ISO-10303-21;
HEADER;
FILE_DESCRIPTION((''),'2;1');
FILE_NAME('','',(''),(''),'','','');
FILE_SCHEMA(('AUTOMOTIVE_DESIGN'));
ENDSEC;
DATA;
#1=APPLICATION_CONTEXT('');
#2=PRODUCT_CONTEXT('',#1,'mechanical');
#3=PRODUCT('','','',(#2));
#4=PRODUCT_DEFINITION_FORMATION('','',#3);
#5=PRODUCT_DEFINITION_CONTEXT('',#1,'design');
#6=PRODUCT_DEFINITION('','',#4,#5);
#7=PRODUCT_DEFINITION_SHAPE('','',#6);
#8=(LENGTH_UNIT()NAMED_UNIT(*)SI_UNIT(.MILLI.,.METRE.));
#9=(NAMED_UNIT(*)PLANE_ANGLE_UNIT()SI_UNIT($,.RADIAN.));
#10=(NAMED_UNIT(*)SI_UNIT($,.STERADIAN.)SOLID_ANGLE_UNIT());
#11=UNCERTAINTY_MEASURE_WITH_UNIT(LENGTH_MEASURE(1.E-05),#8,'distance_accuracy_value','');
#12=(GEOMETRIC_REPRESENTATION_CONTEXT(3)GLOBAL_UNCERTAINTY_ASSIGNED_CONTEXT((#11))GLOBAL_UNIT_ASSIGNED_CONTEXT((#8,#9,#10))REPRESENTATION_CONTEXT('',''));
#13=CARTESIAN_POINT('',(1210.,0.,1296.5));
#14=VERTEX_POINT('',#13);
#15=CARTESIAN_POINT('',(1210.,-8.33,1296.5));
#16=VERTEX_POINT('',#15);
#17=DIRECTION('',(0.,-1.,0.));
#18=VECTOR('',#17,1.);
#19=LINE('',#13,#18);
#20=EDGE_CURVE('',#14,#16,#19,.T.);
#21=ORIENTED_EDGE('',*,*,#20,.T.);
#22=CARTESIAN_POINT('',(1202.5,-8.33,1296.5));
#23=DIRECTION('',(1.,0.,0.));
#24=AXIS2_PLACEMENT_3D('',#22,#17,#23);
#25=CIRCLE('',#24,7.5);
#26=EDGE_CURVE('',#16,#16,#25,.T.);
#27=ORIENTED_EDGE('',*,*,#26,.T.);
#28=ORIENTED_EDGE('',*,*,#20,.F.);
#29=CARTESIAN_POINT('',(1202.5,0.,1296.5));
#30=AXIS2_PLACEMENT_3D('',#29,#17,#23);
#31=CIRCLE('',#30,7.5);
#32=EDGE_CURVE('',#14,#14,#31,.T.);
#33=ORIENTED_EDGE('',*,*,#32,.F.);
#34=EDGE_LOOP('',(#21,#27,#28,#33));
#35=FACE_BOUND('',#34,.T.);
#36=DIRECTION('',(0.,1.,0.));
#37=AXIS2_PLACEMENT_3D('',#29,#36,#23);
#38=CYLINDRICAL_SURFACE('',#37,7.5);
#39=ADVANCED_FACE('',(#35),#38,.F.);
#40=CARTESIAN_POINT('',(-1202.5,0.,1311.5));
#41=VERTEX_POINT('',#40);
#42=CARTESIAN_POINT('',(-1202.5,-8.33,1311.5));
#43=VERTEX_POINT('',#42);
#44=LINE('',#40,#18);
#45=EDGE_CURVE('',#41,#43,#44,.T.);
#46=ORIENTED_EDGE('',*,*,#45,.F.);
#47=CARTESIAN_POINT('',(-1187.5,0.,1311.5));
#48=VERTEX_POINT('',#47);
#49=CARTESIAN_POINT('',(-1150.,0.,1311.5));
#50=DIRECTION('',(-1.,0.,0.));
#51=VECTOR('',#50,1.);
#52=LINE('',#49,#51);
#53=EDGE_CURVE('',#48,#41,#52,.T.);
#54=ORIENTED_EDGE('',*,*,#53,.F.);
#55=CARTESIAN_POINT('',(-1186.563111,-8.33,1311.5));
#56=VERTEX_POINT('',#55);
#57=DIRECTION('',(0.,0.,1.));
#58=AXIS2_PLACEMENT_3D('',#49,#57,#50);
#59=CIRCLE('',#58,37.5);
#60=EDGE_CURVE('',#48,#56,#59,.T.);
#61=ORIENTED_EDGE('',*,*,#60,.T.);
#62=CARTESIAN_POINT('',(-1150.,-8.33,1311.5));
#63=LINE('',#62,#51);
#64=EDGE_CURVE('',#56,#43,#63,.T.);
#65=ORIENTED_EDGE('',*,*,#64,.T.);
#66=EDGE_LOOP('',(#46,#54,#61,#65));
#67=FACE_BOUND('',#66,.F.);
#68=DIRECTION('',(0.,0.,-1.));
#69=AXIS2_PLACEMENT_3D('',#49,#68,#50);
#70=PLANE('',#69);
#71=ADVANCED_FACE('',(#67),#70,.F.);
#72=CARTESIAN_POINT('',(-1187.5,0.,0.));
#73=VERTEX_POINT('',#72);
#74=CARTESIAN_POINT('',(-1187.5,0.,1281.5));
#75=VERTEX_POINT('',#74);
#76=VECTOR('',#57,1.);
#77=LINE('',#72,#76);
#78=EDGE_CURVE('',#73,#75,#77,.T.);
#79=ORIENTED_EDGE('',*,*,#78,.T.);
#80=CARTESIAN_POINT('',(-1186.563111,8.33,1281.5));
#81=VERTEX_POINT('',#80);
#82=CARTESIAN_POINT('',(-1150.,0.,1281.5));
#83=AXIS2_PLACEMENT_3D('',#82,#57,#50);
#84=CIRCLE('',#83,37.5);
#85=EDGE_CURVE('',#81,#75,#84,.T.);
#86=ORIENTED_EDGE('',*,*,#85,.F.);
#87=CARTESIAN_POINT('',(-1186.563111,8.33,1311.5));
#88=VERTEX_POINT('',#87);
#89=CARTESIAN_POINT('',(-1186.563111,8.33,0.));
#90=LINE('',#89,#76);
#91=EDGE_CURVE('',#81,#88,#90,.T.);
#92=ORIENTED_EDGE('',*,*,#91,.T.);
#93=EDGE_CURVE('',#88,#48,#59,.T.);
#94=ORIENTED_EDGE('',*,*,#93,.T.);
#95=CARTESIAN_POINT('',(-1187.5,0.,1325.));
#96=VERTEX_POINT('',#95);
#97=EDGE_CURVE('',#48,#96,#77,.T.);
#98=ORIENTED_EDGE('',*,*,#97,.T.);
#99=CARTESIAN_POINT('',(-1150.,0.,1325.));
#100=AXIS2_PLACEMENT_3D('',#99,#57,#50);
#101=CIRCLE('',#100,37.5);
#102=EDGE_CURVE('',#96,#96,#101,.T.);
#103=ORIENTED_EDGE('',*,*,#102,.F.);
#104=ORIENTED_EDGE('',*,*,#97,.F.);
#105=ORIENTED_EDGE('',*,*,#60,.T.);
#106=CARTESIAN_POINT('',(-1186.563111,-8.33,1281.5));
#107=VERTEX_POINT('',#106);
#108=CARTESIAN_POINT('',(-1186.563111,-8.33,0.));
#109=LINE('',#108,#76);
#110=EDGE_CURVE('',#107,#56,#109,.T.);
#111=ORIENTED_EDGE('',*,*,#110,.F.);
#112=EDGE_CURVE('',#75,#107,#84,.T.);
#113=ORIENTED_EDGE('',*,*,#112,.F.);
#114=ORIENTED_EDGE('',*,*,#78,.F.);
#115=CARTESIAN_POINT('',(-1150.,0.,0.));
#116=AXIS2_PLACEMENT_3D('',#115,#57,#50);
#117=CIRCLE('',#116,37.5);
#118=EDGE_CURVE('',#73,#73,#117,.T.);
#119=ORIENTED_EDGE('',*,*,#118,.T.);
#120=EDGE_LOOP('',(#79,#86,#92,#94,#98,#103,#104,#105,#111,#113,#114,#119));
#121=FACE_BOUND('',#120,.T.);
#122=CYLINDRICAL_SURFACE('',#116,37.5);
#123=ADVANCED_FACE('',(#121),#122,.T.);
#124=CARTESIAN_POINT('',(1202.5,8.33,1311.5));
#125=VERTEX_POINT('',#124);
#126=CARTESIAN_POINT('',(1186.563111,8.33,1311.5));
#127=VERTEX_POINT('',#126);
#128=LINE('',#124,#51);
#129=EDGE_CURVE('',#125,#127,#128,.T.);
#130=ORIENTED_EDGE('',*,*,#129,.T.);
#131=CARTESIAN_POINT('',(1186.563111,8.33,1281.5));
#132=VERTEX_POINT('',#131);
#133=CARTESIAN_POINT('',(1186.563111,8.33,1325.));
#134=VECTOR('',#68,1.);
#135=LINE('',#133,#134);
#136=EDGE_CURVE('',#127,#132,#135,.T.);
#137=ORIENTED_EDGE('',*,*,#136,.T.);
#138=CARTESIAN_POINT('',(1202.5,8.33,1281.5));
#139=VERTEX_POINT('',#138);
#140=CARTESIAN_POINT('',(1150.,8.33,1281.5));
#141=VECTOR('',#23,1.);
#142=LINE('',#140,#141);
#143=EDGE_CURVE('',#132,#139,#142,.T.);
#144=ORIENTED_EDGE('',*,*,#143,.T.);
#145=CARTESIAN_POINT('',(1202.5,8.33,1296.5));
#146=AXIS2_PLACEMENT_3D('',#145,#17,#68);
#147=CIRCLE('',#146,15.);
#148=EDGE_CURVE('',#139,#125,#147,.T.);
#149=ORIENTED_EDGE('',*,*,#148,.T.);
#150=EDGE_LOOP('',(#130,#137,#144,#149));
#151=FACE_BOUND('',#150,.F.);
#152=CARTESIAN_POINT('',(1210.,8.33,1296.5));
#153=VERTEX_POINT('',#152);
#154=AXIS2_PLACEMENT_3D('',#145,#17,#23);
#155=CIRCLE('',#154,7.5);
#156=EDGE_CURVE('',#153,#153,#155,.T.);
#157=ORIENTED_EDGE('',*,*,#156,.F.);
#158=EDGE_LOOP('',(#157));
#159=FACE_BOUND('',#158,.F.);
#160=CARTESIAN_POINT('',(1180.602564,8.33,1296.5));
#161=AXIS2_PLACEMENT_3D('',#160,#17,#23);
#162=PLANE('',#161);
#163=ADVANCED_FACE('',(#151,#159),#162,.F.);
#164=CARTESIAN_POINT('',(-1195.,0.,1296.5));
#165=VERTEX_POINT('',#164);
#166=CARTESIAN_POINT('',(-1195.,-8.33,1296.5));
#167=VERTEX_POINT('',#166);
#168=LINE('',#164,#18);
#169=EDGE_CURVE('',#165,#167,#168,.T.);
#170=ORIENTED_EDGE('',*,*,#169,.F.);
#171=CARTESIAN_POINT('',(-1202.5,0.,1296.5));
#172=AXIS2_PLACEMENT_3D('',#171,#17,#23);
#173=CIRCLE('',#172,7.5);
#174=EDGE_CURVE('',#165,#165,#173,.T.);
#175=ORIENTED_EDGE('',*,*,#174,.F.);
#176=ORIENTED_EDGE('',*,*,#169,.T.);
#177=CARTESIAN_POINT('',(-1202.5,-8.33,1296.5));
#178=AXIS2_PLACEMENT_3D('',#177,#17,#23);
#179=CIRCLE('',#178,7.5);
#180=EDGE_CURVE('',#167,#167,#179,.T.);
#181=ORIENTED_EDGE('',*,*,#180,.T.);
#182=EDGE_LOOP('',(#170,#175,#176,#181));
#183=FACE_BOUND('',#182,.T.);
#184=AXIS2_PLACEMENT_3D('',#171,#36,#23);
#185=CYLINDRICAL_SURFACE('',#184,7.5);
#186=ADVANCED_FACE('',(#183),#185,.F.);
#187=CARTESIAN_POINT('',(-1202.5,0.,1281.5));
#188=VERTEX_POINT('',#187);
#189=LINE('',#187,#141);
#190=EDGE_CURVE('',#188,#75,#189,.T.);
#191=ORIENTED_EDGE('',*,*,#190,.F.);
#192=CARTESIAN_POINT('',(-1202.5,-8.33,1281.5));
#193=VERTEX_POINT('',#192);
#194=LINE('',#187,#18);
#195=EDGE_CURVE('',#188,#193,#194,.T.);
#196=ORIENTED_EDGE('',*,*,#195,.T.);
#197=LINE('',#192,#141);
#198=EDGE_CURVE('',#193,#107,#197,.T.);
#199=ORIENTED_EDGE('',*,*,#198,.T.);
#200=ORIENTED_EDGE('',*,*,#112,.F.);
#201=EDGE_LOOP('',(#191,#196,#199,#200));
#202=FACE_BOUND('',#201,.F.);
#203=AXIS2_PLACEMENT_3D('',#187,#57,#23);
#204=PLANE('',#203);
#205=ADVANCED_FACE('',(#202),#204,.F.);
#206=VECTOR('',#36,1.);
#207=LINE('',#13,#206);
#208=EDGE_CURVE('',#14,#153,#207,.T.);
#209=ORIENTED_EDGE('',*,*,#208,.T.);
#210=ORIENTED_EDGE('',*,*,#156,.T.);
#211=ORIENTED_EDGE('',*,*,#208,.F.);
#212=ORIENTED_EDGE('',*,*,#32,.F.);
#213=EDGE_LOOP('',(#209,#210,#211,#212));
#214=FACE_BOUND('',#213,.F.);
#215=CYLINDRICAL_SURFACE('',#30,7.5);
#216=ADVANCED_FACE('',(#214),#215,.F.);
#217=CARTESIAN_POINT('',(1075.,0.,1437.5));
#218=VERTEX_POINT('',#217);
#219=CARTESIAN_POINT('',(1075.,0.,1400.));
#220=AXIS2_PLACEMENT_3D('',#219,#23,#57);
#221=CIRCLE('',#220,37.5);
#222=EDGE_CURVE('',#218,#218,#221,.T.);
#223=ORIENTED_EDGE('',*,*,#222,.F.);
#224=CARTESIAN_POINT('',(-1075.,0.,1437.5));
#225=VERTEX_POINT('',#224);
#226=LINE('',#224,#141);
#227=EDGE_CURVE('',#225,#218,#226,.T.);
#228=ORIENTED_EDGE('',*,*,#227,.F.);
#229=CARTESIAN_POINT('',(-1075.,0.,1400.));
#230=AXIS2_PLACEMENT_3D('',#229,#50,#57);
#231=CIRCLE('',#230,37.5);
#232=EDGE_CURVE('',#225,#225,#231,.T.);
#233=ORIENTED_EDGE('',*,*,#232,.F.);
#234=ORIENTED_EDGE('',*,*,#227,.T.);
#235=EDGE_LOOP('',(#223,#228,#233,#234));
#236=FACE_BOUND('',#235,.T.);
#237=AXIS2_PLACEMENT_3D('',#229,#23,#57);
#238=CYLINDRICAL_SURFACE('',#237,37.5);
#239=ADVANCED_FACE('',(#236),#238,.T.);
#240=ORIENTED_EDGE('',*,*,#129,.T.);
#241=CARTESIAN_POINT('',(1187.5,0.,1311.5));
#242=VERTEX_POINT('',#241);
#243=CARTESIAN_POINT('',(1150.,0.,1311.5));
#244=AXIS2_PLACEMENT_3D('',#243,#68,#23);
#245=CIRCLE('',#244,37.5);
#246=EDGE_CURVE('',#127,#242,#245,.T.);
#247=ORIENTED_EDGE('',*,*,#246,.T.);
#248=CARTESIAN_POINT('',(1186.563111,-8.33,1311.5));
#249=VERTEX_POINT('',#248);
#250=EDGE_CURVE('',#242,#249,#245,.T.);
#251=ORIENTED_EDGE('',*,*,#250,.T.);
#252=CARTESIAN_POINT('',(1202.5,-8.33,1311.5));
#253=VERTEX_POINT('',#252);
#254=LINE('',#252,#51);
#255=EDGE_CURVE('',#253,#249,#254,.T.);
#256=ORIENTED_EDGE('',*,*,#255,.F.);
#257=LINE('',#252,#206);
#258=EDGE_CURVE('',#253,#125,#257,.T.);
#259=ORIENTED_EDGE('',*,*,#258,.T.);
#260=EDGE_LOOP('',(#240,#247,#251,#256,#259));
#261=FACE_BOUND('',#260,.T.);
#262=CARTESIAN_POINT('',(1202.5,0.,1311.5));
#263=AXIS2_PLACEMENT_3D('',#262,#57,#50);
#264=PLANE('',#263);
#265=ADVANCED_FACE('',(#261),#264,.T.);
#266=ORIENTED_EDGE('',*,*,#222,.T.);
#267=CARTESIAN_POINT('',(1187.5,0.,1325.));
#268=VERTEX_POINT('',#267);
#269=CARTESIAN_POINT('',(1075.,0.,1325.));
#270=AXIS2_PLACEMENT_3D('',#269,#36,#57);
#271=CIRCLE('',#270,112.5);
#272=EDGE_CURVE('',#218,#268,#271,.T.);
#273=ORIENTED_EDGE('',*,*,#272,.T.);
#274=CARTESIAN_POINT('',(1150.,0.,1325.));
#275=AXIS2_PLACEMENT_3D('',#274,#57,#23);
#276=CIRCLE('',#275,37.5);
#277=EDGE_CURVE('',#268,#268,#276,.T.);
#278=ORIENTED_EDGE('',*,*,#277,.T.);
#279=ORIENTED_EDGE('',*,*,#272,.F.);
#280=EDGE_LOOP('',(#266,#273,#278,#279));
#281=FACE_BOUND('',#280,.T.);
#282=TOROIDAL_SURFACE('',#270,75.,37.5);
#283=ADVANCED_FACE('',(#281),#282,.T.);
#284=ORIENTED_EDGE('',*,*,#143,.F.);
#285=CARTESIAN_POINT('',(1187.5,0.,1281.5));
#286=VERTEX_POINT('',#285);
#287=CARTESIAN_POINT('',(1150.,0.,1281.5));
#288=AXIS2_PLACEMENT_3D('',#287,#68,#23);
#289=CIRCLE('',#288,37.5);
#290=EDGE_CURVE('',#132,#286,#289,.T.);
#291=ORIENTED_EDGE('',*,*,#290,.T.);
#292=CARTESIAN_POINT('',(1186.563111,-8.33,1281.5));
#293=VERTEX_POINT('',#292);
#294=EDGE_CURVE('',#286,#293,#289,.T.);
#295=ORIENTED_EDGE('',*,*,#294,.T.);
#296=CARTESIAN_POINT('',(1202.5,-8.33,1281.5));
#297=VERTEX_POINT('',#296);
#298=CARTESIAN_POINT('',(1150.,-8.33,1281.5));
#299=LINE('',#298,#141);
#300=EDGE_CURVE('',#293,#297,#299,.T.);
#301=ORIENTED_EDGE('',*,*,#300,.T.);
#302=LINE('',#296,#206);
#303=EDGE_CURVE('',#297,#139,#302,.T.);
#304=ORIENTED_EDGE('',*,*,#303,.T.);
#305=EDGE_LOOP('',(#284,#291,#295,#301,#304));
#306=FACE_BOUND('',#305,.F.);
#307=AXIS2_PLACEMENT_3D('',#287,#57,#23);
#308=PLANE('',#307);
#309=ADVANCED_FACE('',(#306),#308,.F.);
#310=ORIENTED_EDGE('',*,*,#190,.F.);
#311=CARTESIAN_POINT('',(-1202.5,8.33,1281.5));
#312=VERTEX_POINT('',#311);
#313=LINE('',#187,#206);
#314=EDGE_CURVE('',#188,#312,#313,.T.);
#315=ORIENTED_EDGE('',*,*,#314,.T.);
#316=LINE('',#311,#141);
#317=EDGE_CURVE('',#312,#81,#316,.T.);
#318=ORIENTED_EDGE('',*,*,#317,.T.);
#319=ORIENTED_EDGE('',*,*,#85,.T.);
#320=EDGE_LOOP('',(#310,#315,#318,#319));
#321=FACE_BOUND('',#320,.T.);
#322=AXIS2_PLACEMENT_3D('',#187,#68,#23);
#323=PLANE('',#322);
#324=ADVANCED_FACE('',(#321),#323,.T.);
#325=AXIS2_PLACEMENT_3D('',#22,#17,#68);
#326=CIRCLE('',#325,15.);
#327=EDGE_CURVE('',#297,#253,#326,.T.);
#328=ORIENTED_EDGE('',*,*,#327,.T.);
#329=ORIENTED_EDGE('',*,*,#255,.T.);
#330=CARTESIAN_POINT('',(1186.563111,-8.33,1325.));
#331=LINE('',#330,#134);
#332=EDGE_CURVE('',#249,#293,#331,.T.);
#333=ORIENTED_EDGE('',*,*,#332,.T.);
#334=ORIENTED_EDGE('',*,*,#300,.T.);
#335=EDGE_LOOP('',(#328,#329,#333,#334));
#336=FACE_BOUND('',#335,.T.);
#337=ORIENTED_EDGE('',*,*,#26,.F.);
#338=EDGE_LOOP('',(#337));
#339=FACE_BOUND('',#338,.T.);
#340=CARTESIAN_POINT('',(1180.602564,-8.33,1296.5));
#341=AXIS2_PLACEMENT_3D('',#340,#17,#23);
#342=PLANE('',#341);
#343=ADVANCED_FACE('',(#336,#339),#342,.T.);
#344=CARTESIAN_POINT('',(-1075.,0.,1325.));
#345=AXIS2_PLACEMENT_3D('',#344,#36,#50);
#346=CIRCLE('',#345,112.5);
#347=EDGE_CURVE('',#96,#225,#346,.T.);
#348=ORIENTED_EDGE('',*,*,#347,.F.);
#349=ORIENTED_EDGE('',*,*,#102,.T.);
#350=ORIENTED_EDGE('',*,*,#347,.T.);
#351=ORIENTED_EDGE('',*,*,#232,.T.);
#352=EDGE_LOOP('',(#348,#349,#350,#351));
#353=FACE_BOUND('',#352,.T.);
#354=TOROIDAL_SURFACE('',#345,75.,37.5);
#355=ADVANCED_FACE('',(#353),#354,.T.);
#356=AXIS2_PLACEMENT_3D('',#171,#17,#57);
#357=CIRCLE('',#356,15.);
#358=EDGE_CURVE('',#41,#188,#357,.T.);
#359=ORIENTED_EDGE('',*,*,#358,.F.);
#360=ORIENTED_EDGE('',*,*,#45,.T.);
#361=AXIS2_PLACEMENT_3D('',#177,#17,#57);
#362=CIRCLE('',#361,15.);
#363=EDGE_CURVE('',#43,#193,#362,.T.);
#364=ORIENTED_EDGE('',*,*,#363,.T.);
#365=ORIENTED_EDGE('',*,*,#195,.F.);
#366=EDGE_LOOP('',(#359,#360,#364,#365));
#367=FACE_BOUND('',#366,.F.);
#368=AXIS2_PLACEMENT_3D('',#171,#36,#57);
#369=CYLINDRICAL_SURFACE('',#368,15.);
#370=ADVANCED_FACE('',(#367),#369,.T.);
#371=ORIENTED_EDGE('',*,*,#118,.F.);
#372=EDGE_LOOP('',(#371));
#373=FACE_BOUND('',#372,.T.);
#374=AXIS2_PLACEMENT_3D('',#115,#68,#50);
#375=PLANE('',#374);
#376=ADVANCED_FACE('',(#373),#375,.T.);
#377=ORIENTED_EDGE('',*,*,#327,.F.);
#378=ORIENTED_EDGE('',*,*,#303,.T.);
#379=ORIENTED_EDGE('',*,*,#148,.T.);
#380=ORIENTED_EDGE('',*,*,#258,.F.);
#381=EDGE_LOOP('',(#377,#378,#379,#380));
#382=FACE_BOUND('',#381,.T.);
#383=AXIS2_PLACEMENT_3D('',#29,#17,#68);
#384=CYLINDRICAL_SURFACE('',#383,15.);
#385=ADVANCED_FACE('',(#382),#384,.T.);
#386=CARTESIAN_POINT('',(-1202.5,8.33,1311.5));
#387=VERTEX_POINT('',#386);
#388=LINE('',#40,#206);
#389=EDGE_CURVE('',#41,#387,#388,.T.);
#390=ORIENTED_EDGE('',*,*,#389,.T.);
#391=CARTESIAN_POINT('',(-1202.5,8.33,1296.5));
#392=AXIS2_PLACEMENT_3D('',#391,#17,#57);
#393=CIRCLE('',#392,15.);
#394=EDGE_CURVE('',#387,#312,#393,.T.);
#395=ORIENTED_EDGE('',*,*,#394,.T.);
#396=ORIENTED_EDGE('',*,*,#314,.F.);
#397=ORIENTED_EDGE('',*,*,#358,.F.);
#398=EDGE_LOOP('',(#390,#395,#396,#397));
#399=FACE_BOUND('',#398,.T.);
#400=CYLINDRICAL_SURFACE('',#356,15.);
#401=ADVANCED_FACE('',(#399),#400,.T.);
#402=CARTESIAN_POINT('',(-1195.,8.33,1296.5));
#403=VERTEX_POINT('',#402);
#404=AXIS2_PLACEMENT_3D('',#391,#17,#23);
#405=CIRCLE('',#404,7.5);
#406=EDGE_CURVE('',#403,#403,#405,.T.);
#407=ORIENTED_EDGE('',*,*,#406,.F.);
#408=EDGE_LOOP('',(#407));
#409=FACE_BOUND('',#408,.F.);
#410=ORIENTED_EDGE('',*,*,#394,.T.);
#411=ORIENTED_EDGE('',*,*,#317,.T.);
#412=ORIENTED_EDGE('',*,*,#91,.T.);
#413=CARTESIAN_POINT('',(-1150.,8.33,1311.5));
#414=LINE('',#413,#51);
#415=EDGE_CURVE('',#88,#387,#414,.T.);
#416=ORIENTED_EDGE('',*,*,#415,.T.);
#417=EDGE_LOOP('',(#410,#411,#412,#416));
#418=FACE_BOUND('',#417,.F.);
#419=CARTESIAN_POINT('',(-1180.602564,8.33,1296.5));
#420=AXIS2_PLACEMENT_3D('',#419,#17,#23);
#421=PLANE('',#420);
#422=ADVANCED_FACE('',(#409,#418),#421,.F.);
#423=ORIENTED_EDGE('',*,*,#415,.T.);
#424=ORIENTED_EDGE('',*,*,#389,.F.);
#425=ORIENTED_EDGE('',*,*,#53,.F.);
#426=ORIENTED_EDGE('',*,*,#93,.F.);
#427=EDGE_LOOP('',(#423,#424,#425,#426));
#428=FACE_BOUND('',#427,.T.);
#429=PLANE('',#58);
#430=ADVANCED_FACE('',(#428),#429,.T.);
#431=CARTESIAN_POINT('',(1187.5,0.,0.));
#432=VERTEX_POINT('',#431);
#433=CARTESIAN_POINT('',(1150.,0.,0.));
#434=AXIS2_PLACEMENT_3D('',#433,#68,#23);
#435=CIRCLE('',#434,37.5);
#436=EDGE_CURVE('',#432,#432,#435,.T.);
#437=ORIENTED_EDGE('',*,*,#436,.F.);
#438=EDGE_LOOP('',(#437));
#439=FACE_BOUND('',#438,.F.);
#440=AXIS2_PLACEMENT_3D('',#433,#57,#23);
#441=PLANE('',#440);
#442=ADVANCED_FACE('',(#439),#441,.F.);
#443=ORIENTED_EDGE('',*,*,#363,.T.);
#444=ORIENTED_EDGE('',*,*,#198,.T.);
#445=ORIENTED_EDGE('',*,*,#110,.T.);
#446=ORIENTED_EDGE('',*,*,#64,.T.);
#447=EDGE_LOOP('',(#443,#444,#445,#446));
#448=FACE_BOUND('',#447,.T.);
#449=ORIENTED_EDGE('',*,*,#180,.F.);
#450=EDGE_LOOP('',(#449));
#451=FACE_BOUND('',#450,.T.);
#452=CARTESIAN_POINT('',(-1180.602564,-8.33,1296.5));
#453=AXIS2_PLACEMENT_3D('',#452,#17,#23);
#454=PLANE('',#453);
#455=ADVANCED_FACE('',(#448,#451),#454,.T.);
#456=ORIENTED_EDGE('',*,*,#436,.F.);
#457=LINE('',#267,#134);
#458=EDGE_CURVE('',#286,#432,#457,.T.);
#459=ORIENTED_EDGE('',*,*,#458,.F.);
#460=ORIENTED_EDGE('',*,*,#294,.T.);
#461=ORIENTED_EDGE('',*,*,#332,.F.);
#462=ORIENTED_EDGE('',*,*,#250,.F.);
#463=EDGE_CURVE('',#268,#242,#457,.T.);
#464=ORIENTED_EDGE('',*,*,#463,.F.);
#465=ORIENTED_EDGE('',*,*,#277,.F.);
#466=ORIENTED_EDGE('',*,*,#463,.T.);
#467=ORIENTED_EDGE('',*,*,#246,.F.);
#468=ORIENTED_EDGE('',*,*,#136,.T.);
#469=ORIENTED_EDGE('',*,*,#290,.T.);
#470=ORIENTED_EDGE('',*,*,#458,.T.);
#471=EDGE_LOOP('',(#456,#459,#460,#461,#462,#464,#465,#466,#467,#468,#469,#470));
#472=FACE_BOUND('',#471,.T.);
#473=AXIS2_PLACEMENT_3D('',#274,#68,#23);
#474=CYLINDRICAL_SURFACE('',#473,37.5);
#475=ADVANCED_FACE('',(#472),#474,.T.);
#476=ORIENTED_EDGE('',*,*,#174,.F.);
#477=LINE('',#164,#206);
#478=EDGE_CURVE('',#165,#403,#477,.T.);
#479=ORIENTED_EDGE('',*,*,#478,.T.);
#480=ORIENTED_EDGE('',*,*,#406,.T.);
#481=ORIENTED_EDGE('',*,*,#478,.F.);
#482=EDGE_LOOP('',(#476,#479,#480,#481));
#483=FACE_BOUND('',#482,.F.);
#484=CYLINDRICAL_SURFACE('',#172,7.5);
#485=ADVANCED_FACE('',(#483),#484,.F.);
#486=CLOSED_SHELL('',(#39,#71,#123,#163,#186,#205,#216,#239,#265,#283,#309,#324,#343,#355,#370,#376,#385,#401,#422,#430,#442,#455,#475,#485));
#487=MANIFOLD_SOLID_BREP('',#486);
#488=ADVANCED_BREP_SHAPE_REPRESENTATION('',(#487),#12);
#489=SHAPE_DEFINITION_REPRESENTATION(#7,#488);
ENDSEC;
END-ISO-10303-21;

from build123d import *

# Parameters (mm, degrees)
F0_R          = 37.5
F3_R          = 7.5
F4_DEPTH      = 8.33
F4_DEPTH_BACK = 8.33


with BuildPart() as f2:
    # F2: sweep along a path in F1
    with BuildLine(Plane.XZ) as f2_path:
        Line((-1150, 0), (-1150, 1325))
        ThreePointArc((-1150, 1325), (-1128.033008589, 1378.033008589), (-1075, 1400))
        Line((-1075, 1400), (1075, 1400))
        ThreePointArc((1075, 1400), (1128.033008589, 1378.033008589), (1150, 1325))
        Line((1150, 1325), (1150, 0))
    # F0 (on Top) → F2 (sweep)
    with BuildSketch(Plane.XY):
        with Locations((1150, 0)):
            Circle(F0_R)
    sweep(path=f2_path.line)

    # F3 (on Front) → F4 (join, two sides)
    with BuildSketch(Plane.XZ) as f4_sk:
        with BuildLine():
            Line((1202.5, 1311.5), (1150, 1311.5))
            Line((1150, 1311.5), (1150, 1281.5))
            Line((1150, 1281.5), (1202.5, 1281.5))
            ThreePointArc((1202.5, 1281.5), (1213.1066017178, 1285.8933982822), (1217.5, 1296.5))
            ThreePointArc((1217.5, 1296.5), (1213.1066017178, 1307.1066017178), (1202.5, 1311.5))
        make_face()
        with Locations((1202.5, 1296.5)):
            Circle(F3_R, mode=Mode.SUBTRACT)
        with BuildLine():
            Line((-1150, 1281.5), (-1150, 1311.5))
            Line((-1150, 1311.5), (-1202.5, 1311.5))
            ThreePointArc((-1202.5, 1311.5), (-1213.1066017178, 1307.1066017178), (-1217.5, 1296.5))
            ThreePointArc((-1217.5, 1296.5), (-1213.1066017178, 1285.8933982822), (-1202.5, 1281.5))
            Line((-1202.5, 1281.5), (-1150, 1281.5))
        make_face()
        with Locations((-1202.5, 1296.5)):
            Circle(F3_R, mode=Mode.SUBTRACT)
    extrude(amount=F4_DEPTH)
    extrude(f4_sk.sketch, amount=-F4_DEPTH_BACK)


solid = f2.part
